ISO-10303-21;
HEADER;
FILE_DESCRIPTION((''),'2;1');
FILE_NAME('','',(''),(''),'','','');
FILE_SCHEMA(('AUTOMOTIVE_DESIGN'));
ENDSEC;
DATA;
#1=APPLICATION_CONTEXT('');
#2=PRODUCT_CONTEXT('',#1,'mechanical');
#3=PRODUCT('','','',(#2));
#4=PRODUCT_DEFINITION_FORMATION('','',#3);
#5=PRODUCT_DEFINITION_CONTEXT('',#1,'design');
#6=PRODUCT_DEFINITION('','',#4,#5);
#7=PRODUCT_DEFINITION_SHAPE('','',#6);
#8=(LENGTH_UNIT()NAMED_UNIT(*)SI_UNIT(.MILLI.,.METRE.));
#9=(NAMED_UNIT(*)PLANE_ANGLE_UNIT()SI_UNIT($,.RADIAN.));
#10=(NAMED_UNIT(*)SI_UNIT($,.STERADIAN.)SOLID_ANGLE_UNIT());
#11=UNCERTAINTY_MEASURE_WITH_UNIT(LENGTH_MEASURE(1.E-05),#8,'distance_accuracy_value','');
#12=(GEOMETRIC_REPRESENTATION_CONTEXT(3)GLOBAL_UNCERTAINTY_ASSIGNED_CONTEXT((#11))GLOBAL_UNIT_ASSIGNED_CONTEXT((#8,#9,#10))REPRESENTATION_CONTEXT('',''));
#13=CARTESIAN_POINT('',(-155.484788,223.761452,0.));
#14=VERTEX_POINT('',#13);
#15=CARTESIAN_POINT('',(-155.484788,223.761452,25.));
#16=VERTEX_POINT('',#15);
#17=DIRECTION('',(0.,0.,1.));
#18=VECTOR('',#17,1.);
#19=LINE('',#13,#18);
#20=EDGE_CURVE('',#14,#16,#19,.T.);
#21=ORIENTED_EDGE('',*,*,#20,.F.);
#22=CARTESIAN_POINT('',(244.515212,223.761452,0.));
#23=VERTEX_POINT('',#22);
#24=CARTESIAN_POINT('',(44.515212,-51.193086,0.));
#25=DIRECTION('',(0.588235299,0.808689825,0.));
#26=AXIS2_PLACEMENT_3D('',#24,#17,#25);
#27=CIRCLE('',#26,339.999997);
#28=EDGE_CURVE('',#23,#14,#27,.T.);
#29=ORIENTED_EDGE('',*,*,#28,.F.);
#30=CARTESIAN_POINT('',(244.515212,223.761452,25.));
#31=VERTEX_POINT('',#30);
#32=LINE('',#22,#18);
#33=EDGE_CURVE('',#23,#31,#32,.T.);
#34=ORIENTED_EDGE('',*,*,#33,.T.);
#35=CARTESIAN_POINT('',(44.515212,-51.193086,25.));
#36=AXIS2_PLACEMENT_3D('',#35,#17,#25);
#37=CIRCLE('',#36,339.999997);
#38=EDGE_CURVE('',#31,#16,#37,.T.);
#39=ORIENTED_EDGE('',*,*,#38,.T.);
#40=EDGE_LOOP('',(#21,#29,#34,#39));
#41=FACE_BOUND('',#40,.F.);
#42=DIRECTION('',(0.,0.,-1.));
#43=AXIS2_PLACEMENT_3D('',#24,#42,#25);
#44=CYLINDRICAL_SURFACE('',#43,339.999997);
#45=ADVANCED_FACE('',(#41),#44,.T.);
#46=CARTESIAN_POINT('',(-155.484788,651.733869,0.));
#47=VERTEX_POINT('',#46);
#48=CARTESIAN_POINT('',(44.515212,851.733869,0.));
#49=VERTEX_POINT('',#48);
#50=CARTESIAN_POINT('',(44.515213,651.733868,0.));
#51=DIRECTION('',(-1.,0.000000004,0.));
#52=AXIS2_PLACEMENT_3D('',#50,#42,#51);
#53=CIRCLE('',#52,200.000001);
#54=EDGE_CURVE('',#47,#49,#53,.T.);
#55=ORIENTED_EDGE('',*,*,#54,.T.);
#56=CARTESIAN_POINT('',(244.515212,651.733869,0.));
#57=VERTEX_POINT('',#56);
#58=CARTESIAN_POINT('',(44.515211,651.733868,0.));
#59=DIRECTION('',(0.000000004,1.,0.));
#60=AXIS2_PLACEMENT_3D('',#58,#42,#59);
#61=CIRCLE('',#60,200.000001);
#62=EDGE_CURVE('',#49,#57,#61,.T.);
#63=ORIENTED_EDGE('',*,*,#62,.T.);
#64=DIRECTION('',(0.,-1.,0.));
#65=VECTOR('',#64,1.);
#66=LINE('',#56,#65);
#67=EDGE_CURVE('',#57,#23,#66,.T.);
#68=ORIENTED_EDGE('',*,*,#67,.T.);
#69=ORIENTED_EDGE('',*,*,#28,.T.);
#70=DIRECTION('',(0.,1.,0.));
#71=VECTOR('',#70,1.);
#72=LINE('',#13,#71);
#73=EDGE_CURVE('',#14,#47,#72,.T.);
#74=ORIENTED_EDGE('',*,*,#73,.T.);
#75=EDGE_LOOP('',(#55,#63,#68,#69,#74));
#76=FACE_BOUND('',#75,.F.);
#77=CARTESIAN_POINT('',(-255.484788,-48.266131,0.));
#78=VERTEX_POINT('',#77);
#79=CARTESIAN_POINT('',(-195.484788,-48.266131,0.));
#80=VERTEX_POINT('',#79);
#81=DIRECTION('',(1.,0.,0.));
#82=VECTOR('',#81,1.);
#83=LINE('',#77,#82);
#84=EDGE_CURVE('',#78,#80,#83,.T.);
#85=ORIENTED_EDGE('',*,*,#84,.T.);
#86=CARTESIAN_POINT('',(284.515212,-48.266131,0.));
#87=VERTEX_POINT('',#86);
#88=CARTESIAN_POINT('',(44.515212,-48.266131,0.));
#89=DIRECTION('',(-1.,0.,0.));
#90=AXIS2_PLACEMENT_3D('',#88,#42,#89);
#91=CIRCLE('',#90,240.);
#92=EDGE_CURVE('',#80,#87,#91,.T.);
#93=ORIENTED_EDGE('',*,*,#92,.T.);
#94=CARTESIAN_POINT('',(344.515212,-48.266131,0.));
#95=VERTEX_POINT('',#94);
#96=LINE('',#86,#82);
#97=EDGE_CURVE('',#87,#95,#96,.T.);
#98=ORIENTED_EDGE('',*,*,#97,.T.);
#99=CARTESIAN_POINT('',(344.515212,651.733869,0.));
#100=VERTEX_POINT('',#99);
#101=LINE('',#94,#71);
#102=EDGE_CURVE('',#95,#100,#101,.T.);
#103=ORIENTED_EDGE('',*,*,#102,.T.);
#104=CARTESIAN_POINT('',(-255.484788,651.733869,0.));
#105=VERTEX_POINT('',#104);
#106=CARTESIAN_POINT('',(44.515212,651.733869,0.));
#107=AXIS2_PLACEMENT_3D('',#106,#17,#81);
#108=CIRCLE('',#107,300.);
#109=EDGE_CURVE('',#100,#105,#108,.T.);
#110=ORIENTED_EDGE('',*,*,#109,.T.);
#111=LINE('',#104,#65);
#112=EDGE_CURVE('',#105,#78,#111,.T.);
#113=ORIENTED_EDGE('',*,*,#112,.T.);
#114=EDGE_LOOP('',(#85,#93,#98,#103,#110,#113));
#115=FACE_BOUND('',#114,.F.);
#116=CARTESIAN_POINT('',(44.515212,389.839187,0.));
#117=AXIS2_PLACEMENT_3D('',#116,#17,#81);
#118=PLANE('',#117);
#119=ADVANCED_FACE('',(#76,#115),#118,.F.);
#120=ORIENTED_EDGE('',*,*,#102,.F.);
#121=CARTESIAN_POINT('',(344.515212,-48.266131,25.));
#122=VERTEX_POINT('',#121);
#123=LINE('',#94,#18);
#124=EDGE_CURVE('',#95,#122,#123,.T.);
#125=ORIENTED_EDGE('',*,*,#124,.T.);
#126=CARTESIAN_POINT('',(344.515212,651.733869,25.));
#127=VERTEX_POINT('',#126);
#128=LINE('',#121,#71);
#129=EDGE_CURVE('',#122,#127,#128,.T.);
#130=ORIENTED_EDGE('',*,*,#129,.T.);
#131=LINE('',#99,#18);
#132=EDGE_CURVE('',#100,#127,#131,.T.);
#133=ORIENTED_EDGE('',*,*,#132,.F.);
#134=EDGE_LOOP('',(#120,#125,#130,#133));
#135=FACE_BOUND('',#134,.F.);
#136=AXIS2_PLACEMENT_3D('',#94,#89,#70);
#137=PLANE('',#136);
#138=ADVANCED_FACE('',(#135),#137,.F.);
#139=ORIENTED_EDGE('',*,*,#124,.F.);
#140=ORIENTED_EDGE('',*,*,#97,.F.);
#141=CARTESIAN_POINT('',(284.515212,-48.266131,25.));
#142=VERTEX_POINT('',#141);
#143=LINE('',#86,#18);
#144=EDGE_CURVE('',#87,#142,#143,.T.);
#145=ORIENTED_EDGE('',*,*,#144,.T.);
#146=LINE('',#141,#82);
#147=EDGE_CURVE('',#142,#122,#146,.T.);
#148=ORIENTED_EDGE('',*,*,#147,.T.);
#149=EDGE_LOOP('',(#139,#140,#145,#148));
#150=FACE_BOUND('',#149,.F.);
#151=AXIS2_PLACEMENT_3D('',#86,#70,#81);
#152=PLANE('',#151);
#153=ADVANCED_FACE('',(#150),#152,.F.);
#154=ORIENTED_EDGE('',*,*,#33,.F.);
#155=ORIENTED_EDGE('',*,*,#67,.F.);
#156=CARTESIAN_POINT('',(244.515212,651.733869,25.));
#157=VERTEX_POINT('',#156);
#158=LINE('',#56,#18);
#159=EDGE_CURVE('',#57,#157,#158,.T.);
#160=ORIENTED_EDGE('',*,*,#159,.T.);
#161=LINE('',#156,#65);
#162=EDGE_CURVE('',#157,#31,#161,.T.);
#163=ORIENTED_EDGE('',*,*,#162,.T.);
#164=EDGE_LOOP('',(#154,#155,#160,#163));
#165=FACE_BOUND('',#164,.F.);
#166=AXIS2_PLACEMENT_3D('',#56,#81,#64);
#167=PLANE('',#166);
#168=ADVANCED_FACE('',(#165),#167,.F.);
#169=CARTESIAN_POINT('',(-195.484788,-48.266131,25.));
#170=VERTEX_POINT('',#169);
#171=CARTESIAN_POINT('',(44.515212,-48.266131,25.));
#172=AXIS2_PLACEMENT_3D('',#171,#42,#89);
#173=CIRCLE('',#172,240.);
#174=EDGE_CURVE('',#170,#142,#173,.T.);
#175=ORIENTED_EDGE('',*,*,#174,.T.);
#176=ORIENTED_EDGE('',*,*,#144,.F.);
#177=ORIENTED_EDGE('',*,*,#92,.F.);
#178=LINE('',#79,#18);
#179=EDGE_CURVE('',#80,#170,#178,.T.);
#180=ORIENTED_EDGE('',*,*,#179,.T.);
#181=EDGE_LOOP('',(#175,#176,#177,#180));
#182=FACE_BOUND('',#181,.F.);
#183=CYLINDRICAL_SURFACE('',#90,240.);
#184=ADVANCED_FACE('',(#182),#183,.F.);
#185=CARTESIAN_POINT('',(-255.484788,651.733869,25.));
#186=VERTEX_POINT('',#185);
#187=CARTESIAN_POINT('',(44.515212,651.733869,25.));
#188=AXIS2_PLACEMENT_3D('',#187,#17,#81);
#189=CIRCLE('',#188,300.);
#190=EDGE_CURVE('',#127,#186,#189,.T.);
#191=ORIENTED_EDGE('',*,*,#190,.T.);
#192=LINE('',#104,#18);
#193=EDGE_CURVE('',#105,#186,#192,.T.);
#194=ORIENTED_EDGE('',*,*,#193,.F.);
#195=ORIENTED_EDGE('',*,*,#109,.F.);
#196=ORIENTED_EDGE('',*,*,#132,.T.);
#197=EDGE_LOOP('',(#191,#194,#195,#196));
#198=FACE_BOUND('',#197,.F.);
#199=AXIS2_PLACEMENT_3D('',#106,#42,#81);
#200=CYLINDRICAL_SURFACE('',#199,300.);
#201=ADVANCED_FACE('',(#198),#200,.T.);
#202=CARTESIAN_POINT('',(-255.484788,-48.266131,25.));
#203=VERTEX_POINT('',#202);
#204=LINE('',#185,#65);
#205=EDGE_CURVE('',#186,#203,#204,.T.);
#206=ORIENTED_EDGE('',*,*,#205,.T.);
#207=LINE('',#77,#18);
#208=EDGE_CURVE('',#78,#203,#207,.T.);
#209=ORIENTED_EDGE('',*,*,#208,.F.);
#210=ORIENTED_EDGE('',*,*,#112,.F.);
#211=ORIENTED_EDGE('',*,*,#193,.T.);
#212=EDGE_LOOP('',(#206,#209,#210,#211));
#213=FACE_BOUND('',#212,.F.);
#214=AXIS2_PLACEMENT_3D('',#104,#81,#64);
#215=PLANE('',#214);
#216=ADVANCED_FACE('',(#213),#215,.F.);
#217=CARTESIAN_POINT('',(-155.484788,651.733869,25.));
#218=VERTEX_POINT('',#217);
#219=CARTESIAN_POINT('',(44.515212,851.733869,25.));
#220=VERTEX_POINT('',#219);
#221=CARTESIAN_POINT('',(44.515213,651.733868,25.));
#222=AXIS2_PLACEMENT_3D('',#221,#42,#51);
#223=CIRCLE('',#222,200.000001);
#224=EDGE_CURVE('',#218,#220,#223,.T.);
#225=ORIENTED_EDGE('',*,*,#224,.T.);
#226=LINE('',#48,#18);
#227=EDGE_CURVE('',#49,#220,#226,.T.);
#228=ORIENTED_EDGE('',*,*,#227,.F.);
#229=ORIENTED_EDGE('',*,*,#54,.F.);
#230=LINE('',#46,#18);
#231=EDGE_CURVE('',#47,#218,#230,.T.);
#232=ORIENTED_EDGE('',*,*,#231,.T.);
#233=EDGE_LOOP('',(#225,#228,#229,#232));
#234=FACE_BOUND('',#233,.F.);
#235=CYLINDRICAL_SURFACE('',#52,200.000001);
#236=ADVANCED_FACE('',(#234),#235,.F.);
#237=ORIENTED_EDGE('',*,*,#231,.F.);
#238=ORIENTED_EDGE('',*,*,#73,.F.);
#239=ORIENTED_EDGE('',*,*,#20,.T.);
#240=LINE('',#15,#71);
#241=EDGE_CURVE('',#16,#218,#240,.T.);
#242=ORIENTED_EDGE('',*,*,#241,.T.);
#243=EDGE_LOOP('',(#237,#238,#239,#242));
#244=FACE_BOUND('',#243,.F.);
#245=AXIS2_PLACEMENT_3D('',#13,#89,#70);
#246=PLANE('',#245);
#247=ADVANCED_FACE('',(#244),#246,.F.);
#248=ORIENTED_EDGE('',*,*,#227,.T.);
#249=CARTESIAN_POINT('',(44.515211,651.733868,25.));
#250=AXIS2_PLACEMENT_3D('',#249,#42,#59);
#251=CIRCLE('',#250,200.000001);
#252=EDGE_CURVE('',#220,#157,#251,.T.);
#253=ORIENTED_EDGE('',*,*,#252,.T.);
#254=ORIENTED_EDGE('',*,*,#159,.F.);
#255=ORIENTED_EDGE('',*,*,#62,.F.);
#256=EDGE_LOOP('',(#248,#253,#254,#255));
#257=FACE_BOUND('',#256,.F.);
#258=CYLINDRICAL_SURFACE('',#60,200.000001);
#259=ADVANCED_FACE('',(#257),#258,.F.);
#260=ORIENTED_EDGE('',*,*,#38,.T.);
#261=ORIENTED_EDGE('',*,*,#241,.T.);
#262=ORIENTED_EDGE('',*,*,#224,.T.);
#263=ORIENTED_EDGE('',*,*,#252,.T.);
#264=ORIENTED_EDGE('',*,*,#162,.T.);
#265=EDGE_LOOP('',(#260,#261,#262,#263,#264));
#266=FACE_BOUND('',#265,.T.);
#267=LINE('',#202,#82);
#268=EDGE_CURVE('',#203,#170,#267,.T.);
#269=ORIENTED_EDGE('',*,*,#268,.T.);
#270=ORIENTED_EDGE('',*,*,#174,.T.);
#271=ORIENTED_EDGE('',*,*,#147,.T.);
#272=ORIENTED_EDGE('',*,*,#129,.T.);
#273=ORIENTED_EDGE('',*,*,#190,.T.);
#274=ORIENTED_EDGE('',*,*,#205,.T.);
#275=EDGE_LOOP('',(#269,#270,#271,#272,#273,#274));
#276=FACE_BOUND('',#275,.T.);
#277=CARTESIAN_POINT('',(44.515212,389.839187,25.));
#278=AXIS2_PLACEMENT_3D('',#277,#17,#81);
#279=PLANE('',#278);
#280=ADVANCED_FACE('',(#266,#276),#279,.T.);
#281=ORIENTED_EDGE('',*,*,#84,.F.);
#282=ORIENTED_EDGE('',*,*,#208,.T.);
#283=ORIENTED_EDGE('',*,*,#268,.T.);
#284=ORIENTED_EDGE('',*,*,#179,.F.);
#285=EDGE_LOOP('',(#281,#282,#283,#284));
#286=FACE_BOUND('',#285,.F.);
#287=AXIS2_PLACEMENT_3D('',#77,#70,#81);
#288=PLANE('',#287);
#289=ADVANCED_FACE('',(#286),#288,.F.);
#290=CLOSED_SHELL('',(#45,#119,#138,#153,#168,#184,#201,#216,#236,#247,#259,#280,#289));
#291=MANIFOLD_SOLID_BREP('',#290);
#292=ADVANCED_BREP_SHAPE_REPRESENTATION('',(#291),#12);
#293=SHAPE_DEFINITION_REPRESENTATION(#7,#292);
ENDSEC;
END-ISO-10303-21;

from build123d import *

# Parameters (mm, degrees)
F1_DEPTH = 25


with BuildPart() as f1:
    # F0 (on Top) → F1 (new body)
    with BuildSketch(Plane.XY):
        with BuildLine():
            Line((-255.484788, 651.733869), (-255.484788, -48.266131))
            Line((-255.484788, -48.266131), (-195.484788, -48.266131))
            ThreePointArc((-195.484788, -48.266131), (44.515212, 191.733869), (284.515212, -48.266131))
            Line((284.515212, -48.266131), (344.515212, -48.266131))
            Line((344.515212, -48.266131), (344.515212, 441.456646))
            Line((344.515212, 441.456646), (344.515212, 651.733869))
            ThreePointArc((344.515212, 651.733869), (44.515212, 951.733869), (-255.484788, 651.733869))
        make_face()
        with BuildLine():
            Line((-155.484788, 223.761452), (-155.484788, 651.733869))
            ThreePointArc((-155.484788, 651.733869), (-96.906144, 793.155225), (44.515212, 851.733869))
            ThreePointArc((44.515212, 851.733869), (185.936568, 793.155225), (244.515212, 651.733869))
            Line((244.515212, 651.733869), (244.515212, 223.761452))
            ThreePointArc((244.515212, 223.761452), (44.515212, 288.806911), (-155.484788, 223.761452))
        make_face(mode=Mode.SUBTRACT)
    extrude(amount=F1_DEPTH)


solid = f1.part
